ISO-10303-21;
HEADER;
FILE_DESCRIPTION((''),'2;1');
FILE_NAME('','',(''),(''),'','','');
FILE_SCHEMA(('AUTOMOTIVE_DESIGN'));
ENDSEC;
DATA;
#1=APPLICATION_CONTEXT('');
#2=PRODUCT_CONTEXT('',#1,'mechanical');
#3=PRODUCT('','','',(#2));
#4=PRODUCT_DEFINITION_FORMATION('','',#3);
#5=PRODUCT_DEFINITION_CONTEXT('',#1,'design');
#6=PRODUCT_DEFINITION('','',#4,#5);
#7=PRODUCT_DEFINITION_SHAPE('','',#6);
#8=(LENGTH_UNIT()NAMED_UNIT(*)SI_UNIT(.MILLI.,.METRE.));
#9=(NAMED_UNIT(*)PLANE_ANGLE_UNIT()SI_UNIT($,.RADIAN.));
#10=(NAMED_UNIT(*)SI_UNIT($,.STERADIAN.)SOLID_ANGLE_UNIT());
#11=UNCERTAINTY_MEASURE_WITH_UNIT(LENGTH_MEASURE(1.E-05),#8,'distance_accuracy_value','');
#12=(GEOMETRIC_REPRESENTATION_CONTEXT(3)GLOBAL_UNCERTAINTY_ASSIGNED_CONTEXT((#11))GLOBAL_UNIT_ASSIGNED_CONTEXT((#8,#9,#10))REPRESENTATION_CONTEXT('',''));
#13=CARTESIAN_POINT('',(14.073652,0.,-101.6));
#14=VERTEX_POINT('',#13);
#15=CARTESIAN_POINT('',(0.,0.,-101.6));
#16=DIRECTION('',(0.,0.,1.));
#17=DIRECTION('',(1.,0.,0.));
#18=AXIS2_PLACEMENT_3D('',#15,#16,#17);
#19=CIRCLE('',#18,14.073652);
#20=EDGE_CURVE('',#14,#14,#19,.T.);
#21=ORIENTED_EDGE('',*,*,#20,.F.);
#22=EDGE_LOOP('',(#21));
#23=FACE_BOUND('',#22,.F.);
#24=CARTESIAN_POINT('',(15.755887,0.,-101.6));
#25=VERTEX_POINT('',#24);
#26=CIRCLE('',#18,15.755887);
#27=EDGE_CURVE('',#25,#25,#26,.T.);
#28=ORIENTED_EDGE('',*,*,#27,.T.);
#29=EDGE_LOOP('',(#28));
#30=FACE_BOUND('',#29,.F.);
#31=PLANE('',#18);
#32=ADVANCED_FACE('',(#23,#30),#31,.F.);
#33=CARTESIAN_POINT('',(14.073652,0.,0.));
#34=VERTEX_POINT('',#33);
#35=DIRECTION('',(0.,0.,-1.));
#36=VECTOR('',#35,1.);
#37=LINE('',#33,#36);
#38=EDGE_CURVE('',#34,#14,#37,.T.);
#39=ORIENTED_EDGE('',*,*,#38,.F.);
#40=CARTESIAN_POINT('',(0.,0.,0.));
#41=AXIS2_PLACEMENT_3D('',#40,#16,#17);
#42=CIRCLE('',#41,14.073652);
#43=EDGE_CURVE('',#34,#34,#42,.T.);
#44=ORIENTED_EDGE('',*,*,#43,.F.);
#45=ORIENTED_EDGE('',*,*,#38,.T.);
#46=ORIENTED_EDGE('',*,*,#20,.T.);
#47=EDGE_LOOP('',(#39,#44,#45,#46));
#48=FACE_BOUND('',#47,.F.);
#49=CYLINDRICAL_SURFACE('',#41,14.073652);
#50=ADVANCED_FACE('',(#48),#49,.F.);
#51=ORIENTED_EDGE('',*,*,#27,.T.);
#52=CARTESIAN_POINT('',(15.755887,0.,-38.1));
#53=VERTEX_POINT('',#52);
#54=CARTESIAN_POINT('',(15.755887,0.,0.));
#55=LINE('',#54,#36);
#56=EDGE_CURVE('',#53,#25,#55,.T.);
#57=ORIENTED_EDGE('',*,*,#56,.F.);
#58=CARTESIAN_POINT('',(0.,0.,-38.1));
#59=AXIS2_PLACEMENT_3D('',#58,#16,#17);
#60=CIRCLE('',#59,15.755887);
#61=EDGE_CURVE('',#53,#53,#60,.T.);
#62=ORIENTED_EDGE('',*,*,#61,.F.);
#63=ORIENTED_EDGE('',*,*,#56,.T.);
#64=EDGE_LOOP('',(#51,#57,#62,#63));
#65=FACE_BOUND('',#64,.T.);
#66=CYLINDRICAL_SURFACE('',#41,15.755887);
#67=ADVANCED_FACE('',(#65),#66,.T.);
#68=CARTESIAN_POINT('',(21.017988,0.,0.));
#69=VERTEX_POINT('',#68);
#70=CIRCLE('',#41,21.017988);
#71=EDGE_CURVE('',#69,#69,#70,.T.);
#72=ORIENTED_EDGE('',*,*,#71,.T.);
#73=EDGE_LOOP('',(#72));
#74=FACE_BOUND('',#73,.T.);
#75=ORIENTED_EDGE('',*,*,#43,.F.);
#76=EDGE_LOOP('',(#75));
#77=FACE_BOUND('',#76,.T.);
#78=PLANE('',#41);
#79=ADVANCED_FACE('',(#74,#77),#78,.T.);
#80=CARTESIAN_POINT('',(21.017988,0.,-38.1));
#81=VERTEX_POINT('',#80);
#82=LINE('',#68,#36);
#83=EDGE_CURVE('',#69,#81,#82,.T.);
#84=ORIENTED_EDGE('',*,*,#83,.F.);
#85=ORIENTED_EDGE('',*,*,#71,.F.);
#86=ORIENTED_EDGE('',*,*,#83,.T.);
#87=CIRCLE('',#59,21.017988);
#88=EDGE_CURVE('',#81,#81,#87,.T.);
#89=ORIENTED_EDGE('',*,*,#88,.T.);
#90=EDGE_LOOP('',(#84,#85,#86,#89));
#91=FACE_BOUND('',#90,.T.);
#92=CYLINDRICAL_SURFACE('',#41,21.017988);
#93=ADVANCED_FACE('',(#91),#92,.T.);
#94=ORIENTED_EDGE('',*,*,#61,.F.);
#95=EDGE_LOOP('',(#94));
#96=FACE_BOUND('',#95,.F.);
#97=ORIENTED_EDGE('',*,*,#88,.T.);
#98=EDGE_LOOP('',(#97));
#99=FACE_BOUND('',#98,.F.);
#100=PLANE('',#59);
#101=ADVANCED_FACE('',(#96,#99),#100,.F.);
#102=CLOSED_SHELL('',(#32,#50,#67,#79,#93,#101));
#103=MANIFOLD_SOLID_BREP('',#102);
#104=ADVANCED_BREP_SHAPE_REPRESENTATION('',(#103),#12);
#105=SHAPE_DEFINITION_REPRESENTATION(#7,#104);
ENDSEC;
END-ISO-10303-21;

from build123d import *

# Parameters (mm, degrees)
F0_R     = 15.755887
F1_DEPTH = 101.6
F2_R     = 21.017988
F3_DEPTH = 38.1
F4_R     = 14.073652
F5_DEPTH = 101.601


with BuildPart() as f1:
    # F0 (on Top) → F1 (new body)
    with BuildSketch(Plane.XY):
        Circle(F0_R)
    extrude(amount=-F1_DEPTH)

    # F2 (on Top) → F3 (join)
    with BuildSketch(Plane.XY):
        Circle(F2_R)
    extrude(amount=-F3_DEPTH)

    # F4 (on face) → F5 (cut, through all)
    with BuildSketch(Plane.XY):
        Circle(F4_R)
    extrude(amount=-F5_DEPTH, mode=Mode.SUBTRACT)


solid = f1.part
